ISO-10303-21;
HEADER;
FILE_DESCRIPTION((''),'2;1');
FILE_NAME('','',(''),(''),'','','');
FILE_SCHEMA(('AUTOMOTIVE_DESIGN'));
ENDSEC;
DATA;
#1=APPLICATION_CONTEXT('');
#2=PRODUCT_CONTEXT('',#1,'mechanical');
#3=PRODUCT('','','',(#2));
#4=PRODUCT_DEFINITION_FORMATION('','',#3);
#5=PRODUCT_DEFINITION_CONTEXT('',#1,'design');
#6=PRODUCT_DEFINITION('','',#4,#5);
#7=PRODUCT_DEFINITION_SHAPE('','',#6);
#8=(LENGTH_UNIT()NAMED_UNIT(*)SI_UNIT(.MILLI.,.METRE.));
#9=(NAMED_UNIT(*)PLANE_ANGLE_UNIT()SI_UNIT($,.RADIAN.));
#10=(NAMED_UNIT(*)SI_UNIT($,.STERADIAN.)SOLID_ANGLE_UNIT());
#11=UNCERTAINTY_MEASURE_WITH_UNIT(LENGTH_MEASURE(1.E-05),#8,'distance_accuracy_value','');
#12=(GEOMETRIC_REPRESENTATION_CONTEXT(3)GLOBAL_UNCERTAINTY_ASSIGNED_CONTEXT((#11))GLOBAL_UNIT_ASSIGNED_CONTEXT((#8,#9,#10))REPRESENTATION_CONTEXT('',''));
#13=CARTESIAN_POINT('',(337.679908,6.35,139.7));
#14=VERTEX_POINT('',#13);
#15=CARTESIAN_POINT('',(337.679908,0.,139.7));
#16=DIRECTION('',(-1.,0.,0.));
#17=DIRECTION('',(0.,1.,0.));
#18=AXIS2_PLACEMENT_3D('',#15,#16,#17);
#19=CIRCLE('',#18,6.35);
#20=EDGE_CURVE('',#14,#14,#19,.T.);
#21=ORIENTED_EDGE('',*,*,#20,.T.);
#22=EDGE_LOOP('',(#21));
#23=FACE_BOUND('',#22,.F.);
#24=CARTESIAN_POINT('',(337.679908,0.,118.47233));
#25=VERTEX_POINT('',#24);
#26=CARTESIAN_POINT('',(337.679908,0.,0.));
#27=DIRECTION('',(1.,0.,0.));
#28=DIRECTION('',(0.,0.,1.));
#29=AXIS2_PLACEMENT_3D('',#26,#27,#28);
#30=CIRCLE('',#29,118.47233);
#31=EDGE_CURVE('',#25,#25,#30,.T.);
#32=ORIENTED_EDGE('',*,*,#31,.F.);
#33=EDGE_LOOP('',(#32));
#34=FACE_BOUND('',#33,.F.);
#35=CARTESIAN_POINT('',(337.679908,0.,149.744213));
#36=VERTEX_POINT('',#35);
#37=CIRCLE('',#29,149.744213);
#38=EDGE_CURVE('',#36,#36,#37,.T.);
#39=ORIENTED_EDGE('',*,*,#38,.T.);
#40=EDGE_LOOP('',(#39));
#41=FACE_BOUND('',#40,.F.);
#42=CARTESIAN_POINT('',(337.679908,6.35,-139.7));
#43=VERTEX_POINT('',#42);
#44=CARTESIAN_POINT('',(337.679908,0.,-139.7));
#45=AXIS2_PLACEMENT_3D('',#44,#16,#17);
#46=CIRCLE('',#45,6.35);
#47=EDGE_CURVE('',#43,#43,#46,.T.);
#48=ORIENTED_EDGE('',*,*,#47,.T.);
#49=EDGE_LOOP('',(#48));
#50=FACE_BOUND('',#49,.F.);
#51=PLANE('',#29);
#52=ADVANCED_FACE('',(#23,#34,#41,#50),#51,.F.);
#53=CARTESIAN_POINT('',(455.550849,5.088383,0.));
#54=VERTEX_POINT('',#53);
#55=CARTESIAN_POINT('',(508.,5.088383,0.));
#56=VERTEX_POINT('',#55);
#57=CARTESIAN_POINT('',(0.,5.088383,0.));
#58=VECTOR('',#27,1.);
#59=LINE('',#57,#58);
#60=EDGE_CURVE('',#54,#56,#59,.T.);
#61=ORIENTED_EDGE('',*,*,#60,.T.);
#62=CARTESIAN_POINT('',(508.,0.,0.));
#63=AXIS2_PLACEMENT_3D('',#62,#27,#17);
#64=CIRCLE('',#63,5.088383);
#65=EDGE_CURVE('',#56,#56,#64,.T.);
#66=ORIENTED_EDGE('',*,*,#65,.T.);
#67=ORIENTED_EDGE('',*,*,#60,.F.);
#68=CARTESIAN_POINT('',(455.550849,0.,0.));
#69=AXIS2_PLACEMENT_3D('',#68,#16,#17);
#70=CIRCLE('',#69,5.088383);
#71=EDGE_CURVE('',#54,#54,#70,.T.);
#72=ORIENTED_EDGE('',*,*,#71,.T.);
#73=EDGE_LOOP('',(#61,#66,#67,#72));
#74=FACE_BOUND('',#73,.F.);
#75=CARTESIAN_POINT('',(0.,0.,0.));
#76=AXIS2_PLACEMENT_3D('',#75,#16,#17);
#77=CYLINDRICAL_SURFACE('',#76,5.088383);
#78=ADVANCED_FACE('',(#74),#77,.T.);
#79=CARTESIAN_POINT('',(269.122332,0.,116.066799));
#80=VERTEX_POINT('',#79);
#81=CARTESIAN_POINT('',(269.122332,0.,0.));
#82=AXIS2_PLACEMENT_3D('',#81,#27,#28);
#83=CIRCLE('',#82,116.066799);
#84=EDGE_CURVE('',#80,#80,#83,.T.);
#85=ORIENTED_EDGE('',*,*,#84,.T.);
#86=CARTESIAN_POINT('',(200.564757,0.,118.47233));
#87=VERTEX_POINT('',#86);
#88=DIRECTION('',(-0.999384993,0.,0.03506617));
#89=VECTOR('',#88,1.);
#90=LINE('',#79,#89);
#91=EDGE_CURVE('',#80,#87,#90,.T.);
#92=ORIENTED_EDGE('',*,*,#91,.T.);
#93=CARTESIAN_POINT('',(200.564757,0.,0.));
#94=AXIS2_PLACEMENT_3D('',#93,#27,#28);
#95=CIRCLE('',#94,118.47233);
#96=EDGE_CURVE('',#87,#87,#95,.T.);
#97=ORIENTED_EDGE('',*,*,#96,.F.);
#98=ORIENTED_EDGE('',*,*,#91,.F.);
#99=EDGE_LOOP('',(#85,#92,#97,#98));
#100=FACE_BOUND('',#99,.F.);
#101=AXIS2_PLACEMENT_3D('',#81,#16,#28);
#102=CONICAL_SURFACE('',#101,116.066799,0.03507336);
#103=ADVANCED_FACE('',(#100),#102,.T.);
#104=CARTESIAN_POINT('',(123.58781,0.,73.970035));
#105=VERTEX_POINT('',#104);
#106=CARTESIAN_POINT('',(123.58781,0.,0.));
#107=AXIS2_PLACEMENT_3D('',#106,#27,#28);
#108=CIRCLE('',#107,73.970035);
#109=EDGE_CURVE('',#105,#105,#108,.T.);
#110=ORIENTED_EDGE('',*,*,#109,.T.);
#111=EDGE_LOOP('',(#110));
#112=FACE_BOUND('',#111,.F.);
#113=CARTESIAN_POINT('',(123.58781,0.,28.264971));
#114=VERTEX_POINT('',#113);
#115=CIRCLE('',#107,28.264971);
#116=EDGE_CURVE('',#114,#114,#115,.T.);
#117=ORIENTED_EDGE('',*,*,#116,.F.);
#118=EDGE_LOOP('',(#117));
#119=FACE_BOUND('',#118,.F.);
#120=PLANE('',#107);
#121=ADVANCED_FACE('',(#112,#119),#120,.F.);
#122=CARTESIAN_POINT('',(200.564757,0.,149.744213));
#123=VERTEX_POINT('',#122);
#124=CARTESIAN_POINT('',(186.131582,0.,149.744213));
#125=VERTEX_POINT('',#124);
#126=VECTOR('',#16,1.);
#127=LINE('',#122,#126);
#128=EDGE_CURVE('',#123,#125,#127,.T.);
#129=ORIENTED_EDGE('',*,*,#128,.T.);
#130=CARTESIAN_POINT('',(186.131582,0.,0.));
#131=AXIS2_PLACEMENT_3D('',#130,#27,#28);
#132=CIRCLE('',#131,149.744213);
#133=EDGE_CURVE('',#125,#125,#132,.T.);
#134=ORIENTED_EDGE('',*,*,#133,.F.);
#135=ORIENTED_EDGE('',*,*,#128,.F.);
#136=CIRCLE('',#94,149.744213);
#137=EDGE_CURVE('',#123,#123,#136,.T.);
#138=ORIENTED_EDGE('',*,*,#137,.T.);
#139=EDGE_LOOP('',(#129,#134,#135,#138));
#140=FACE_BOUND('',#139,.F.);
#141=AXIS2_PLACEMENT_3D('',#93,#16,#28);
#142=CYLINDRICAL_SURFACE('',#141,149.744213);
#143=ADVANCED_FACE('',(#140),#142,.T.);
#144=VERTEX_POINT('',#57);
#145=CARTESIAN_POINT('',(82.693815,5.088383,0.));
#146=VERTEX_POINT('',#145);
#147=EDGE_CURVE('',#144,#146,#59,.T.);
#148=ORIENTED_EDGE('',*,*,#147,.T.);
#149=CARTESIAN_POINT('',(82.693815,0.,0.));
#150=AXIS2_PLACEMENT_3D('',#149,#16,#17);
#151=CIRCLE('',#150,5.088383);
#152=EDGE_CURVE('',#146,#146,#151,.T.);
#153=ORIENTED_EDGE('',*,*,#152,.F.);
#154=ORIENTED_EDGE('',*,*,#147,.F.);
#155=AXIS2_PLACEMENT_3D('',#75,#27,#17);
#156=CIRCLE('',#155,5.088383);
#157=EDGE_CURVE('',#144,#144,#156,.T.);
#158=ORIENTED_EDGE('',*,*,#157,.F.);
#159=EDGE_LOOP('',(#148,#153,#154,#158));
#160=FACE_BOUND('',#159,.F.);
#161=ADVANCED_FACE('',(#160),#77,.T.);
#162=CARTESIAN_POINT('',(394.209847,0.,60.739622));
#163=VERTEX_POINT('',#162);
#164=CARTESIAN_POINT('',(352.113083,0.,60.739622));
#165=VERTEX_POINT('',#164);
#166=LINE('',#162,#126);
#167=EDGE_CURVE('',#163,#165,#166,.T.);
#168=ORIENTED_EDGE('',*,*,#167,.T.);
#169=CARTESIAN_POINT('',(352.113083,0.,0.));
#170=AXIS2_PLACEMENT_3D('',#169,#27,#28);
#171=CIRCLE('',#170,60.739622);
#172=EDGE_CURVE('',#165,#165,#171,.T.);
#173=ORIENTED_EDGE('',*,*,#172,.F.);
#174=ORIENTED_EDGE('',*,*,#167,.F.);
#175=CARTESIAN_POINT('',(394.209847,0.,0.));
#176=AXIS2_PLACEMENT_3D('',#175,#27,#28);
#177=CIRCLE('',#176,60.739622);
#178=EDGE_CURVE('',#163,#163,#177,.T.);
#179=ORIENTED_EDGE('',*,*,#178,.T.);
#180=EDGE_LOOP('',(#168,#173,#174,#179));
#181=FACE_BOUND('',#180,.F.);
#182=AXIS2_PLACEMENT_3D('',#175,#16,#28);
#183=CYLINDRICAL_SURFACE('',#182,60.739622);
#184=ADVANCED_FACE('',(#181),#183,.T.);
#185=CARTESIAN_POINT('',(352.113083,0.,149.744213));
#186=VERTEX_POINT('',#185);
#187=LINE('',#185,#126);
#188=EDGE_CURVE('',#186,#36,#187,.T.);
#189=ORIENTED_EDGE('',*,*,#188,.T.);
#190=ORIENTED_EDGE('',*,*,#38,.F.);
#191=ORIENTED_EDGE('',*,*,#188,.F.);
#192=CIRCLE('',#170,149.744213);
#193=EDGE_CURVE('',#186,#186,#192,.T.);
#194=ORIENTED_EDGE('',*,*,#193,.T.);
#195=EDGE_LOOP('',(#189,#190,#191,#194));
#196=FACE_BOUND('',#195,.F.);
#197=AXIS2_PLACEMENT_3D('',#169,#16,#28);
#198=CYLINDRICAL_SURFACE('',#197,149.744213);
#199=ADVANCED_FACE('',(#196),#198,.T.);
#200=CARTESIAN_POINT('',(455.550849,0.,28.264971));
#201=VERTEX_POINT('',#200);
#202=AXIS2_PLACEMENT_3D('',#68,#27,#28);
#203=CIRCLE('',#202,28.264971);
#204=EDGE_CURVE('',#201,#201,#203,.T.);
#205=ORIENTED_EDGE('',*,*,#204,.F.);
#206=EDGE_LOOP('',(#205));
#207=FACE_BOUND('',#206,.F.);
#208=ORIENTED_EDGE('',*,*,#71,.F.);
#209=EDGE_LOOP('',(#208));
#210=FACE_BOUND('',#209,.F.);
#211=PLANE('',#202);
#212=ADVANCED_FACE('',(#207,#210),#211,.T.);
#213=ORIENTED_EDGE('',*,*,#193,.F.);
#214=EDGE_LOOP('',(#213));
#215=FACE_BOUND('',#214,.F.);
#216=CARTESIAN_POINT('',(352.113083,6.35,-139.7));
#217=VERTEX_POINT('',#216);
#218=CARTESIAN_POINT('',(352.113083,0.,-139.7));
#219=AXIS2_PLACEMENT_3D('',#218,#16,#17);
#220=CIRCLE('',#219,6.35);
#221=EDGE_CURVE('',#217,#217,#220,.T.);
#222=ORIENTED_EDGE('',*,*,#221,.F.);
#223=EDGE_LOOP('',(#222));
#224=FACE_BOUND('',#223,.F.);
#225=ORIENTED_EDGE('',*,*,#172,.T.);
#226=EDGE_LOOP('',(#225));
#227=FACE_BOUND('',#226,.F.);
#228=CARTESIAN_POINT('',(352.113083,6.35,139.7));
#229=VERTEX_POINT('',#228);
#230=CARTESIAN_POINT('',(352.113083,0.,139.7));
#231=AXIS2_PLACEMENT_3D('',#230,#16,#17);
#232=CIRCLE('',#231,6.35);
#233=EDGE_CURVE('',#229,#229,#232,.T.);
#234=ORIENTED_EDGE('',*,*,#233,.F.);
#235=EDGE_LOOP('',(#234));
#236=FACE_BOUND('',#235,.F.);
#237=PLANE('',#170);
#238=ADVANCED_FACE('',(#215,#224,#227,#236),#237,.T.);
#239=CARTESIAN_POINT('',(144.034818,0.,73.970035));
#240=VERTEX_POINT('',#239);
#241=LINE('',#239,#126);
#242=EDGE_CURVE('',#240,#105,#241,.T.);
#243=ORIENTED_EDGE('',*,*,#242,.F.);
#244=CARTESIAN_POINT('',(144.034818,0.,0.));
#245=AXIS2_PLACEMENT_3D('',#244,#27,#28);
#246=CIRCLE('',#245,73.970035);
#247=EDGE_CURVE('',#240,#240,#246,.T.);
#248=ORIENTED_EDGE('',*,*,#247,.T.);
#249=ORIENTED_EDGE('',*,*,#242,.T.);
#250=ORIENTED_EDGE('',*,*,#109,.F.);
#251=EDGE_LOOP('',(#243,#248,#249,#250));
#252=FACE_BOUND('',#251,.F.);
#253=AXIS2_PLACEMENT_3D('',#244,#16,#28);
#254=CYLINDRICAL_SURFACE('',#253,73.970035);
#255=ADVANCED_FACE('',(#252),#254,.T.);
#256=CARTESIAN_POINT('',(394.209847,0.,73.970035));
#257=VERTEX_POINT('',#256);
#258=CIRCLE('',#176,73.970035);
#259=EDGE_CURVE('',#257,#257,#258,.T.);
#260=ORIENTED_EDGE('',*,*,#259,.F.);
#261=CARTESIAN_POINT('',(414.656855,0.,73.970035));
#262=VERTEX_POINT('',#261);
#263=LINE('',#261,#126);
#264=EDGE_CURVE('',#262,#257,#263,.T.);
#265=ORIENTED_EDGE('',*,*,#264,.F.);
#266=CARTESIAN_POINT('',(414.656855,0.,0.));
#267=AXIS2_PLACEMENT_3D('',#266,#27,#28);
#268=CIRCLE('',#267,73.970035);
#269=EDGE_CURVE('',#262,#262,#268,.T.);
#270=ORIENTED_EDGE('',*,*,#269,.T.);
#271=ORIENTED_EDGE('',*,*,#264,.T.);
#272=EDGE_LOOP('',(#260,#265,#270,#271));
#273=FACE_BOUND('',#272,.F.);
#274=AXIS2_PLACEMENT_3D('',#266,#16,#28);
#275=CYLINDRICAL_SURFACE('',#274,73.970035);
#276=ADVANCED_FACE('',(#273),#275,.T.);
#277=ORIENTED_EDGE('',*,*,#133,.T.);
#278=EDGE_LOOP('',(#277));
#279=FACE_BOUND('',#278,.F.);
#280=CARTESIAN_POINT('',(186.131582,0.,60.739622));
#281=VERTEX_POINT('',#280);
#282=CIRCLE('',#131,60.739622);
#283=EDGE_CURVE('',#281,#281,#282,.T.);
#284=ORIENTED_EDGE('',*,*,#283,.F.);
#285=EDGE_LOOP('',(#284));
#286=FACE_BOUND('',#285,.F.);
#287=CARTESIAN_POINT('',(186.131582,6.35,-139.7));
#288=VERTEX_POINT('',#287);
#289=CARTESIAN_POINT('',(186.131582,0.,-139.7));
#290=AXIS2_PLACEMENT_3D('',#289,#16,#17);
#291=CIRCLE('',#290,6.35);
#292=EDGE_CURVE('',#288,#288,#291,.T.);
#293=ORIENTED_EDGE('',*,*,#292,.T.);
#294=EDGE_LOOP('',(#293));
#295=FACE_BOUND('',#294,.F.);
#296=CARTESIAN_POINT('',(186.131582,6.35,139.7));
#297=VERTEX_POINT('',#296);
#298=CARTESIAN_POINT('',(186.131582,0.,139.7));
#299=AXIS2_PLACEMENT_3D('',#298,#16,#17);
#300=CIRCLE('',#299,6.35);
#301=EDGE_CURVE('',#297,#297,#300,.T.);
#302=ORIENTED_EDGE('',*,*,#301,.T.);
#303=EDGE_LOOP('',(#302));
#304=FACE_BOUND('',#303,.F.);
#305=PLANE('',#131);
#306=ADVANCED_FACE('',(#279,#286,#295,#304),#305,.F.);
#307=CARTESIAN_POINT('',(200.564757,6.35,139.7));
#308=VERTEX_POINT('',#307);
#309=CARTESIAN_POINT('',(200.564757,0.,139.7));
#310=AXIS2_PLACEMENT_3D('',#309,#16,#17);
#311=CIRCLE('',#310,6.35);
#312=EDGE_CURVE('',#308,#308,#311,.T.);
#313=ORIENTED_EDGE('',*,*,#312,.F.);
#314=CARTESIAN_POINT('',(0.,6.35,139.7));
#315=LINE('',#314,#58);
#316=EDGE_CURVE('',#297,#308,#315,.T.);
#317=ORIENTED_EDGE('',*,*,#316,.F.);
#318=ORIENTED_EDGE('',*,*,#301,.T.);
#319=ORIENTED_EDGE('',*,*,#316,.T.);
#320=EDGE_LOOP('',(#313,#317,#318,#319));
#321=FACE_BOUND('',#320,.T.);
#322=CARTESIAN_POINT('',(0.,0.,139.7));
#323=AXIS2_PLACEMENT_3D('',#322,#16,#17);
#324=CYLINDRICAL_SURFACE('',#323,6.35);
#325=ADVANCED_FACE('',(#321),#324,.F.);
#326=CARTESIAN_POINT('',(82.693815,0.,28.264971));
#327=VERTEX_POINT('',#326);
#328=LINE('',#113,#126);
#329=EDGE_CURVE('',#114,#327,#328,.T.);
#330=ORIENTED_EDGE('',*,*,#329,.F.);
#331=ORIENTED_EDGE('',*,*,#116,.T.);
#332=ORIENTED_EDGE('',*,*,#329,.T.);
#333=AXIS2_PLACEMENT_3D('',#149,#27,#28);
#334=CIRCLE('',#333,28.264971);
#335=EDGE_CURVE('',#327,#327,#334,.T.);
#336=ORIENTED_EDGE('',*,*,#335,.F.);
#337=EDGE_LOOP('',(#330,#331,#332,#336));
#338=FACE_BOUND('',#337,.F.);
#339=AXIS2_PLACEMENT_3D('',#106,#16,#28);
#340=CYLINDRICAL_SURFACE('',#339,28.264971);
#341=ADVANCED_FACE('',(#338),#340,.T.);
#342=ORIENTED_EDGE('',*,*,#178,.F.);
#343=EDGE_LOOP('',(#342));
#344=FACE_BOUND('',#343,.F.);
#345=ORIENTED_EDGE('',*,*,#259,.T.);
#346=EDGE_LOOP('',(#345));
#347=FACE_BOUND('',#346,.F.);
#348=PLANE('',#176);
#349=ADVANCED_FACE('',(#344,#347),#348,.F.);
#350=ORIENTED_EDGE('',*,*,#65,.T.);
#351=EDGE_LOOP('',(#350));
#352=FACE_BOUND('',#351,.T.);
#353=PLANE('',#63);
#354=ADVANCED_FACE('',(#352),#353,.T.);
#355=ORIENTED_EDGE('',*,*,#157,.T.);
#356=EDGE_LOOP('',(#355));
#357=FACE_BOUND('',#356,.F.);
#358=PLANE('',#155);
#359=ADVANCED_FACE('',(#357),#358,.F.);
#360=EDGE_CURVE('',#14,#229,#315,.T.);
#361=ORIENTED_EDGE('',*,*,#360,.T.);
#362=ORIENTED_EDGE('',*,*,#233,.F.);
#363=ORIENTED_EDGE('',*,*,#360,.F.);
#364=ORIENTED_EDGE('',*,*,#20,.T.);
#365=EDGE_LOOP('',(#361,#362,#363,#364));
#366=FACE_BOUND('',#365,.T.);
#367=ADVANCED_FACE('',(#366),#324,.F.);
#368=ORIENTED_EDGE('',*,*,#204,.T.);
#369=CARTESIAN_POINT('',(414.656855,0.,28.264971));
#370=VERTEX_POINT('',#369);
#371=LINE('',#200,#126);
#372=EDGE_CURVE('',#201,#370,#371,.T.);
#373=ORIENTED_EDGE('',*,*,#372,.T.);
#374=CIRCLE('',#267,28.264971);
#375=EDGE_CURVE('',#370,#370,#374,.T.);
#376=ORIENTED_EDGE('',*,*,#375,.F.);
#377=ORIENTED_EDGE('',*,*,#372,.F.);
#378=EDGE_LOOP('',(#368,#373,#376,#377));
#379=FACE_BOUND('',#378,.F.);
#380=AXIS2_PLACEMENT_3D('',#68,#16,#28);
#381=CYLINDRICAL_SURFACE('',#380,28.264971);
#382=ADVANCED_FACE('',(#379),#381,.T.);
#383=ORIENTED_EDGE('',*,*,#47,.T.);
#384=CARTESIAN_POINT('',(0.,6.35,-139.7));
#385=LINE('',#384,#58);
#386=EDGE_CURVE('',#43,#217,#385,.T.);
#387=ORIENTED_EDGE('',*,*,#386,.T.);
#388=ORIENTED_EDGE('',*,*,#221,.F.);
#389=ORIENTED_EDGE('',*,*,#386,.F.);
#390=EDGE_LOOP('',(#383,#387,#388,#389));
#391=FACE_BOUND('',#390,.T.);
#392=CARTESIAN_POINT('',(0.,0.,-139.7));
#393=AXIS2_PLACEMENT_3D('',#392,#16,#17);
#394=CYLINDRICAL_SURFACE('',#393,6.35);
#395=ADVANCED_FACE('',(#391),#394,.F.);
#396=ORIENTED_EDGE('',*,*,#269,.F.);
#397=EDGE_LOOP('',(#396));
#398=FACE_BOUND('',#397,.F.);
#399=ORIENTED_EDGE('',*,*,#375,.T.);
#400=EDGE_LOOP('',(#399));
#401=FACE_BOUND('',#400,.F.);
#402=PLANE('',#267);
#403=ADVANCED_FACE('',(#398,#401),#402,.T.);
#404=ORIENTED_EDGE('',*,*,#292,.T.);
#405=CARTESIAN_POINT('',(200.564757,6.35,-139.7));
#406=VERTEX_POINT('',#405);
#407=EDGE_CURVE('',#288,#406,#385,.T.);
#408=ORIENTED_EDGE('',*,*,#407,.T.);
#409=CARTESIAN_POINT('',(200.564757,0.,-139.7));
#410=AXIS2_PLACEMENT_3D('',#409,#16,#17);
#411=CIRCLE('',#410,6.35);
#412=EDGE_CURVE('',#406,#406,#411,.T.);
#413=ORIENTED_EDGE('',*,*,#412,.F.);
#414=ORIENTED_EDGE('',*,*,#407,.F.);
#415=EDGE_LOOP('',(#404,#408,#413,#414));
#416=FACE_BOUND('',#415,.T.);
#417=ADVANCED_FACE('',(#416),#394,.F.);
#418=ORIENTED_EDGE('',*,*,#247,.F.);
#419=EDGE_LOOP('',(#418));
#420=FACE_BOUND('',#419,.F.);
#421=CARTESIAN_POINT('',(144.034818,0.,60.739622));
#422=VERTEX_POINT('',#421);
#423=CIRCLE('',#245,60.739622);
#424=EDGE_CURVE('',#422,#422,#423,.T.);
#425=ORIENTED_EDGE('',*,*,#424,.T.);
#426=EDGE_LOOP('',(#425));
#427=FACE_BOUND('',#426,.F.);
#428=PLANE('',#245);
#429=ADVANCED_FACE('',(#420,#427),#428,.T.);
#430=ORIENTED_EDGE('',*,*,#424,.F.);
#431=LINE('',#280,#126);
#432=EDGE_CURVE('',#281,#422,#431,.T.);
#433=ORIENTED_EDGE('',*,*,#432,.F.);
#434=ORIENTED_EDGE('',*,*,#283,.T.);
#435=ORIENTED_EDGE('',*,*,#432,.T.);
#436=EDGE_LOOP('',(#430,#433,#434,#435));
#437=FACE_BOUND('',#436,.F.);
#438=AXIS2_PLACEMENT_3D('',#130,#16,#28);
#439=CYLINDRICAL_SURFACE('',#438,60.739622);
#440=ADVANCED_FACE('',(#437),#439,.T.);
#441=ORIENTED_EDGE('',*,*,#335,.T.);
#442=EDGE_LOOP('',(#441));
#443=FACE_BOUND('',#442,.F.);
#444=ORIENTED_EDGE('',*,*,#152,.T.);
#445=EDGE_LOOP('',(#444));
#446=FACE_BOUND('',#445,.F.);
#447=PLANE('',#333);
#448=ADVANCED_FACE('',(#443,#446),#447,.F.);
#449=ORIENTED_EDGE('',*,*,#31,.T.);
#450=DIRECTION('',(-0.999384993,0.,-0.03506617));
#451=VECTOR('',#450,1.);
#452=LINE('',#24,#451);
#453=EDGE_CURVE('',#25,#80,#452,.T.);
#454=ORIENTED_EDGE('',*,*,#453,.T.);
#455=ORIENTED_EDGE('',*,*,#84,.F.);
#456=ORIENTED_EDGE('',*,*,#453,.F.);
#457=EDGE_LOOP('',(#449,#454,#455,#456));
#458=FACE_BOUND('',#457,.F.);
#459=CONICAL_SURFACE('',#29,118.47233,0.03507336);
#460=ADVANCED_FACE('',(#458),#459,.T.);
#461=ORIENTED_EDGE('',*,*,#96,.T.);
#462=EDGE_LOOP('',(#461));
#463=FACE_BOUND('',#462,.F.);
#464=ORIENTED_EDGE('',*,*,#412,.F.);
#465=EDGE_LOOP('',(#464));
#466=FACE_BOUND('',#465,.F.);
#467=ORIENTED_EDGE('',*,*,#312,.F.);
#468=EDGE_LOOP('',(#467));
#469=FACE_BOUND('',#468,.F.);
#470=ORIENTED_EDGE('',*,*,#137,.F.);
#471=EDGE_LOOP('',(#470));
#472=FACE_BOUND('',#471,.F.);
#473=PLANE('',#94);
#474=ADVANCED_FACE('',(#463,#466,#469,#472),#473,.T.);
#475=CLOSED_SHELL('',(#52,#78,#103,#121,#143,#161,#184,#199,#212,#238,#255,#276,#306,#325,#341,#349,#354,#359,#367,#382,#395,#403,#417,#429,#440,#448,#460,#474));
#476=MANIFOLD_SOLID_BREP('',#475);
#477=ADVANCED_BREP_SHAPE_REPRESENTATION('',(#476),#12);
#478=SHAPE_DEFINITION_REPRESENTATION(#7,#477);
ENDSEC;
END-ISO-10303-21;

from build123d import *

# Parameters (mm, degrees)
F0_R     = 5.088383
F1_DEPTH = 508
F4_R     = 6.35
F5_DEPTH = 508.001


with BuildPart() as f1:
    # F0 (on Right) → F1 (new body)
    with BuildSketch(Plane.YZ):
        Circle(F0_R)
    extrude(amount=F1_DEPTH)

    # F2 (on Front) → F3 (revolve)
    with BuildSketch(Plane.XZ):
        Polygon((82.693815, 28.264971), (82.693815, 0), (455.550849, 0), (455.550849, 28.264971), (414.656855, 28.264971), (414.656855, 73.970035), (394.209847, 73.970035), (394.209847, 60.739622), (352.113083, 60.739622), (352.113083, 149.744213), (337.679908, 149.744213), (337.679908, 118.47233), (269.122332, 116.066799), (200.564757, 118.47233), (200.564757, 149.744213), (186.131582, 149.744213), (186.131582, 60.739622), (144.034818, 60.739622), (144.034818, 73.970035), (123.58781, 73.970035), (123.58781, 28.264971), align=None)
    revolve(axis=Axis((269.122332, 0, 0), (1, 0, 0)))

    # F4 (on Right) → F5 (cut, through all)
    with BuildSketch(Plane.YZ):
        with Locations((0, 139.7)):
            Circle(F4_R)
        with Locations((0, -139.7)):
            Circle(F4_R)
    extrude(amount=F5_DEPTH, mode=Mode.SUBTRACT)


solid = f1.part
